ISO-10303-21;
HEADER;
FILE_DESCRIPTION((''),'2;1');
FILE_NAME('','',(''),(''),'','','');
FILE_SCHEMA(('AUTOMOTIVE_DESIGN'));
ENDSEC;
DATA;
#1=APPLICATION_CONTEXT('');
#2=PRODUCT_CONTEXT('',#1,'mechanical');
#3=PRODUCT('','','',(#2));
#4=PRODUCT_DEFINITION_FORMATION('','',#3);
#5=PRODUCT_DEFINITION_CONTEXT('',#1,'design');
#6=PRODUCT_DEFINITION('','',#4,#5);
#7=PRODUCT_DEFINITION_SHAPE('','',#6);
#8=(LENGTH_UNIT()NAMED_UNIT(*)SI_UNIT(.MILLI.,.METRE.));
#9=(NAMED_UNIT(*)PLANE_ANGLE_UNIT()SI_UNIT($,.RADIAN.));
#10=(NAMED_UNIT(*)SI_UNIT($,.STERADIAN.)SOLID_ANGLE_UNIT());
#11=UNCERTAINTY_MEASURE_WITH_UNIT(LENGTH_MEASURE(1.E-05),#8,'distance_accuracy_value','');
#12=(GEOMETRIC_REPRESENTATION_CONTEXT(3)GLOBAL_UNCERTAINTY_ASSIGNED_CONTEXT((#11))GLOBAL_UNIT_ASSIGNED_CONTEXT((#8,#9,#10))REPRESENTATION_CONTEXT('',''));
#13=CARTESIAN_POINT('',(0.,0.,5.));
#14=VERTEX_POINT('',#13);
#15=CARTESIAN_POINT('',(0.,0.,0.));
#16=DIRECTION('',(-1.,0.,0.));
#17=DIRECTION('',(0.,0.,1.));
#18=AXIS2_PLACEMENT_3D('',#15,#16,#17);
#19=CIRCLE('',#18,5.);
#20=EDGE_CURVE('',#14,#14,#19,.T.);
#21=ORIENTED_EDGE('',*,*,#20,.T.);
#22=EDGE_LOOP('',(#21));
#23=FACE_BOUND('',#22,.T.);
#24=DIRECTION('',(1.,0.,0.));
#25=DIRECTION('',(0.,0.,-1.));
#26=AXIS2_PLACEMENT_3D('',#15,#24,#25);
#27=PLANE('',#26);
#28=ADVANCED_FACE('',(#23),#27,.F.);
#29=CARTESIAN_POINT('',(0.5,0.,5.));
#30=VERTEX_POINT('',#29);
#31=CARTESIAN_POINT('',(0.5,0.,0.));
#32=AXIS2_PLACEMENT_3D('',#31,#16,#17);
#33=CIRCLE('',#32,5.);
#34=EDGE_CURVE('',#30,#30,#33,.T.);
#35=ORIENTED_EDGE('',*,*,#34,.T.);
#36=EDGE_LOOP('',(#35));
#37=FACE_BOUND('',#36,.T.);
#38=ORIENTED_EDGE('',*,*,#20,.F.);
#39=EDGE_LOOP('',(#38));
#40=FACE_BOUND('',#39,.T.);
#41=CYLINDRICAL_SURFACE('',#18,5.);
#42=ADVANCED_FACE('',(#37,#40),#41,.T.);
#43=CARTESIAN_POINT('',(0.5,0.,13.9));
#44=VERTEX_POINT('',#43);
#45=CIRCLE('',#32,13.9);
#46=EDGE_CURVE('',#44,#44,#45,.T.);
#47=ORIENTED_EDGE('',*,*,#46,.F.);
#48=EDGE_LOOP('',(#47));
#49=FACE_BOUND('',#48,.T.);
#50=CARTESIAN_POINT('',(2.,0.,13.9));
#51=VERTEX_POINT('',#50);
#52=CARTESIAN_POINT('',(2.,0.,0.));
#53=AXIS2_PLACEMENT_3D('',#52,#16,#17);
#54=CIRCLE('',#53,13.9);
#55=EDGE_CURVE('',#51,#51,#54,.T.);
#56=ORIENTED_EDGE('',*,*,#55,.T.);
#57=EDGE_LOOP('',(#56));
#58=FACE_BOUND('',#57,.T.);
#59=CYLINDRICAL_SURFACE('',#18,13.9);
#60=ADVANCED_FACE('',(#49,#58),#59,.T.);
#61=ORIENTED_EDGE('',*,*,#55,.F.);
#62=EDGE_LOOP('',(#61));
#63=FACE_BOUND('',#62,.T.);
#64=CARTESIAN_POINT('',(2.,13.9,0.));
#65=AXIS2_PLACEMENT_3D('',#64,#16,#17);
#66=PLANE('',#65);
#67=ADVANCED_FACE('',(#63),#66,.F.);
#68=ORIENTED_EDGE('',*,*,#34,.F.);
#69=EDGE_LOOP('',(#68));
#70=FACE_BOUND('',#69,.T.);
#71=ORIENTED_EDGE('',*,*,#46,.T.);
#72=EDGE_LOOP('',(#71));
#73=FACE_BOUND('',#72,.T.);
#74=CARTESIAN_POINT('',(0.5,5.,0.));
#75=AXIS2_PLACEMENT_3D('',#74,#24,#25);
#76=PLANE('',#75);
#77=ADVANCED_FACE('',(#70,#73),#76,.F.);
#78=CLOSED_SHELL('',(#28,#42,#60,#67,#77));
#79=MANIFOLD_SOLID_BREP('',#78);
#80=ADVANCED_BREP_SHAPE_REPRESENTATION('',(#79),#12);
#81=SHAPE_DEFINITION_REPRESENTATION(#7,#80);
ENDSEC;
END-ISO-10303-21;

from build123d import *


with BuildPart() as part:
    # Sketch1 → Revolve1 (revolve)
    with BuildSketch(Plane.XY, mode=Mode.PRIVATE) as revolve1_sk:
        Polygon((0, 0), (0, 5), (0.5, 5), (0.5, 13.9), (2, 13.9), (2, 0), align=None)
    revolve(revolve1_sk.sketch.rotate(Axis((0, 0, 0), (1, 0, 0)), 90), axis=Axis((0, 0, 0), (1, 0, 0)))


solid = part.part
